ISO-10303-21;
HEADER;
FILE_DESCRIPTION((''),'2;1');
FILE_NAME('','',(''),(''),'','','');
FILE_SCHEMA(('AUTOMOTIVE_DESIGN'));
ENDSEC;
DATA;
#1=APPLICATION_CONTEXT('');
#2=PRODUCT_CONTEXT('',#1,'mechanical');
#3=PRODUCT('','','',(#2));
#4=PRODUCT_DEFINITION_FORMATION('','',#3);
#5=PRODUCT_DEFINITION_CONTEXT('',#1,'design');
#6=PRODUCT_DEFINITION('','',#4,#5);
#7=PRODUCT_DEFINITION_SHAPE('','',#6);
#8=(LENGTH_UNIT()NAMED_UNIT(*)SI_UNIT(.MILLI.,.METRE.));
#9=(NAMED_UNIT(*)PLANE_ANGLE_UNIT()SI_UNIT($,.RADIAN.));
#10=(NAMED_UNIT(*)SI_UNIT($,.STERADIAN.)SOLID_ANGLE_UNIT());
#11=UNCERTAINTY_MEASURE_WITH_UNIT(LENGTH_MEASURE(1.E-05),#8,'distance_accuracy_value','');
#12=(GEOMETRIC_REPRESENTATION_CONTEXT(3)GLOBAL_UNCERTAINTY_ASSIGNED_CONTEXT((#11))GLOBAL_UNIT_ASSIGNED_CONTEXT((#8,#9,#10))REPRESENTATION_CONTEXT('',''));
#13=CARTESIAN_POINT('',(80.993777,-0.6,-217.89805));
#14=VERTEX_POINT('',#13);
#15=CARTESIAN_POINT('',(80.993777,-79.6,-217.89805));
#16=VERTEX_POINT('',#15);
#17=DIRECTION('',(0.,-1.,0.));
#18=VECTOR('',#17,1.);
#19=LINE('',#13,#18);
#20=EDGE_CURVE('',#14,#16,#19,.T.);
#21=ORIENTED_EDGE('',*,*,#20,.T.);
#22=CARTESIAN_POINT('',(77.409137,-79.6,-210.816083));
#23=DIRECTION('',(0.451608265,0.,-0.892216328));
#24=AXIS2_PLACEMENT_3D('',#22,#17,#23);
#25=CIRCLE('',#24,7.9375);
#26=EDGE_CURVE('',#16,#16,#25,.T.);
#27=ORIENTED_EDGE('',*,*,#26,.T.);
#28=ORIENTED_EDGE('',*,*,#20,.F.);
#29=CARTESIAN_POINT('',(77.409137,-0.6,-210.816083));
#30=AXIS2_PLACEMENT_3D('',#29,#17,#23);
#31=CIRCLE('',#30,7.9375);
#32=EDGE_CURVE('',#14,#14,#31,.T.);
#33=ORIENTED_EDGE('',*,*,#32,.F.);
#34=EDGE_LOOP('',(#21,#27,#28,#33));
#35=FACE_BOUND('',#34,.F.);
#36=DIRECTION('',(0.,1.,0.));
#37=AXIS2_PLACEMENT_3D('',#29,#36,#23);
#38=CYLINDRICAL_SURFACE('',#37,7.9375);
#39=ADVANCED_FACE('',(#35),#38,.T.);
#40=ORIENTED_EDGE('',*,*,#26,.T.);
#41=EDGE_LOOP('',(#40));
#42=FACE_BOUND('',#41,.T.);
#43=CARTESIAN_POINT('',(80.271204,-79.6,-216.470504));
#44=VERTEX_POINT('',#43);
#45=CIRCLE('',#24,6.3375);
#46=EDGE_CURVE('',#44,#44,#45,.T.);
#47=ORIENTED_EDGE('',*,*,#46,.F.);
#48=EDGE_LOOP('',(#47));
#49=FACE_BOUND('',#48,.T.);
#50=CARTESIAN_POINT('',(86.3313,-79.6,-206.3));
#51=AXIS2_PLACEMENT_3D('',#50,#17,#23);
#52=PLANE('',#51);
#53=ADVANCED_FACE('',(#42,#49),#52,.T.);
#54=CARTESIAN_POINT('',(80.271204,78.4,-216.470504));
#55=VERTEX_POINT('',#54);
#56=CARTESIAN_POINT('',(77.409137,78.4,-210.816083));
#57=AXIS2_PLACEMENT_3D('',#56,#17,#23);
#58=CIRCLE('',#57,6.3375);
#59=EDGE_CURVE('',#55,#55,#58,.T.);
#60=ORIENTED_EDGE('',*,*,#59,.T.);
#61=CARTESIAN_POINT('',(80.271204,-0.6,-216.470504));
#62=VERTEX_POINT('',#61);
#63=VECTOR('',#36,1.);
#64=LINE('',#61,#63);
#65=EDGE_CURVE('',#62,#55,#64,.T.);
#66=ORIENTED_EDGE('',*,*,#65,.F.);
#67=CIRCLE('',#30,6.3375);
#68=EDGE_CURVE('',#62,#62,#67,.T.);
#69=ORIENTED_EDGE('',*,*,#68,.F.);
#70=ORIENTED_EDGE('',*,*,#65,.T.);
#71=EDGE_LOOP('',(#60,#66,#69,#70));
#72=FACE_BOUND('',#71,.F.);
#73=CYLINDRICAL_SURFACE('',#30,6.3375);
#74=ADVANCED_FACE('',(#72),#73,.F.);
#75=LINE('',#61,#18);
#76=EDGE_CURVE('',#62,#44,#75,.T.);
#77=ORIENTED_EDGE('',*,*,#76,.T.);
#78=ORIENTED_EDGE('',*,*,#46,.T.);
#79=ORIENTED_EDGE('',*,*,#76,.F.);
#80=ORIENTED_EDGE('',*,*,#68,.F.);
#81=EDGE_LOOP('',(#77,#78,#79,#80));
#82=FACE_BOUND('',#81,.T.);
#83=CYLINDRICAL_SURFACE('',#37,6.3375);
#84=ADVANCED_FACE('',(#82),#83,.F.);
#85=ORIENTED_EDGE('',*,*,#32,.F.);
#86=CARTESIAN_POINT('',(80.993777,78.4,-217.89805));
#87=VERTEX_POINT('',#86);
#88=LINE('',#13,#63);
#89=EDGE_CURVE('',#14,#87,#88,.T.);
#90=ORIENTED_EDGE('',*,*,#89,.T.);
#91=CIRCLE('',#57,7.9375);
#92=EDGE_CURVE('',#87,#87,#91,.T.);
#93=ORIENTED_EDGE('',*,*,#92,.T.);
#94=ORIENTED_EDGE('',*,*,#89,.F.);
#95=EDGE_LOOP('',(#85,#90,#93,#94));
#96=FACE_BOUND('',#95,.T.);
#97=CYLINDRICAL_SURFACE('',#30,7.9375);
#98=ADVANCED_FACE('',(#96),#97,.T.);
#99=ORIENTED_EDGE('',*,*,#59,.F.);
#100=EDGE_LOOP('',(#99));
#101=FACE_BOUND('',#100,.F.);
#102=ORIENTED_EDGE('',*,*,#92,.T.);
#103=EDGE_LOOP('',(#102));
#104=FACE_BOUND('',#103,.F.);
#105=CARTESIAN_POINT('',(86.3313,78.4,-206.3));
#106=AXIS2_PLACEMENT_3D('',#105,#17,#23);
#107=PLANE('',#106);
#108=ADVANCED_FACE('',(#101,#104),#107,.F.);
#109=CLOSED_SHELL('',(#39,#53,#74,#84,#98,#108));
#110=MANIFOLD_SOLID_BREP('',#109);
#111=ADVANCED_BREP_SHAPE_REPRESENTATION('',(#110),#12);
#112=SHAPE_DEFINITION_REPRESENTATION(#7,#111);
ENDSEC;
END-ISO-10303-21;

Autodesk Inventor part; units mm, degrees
ref_plane "YZ Plane" through (0, 0, 0) normal (1, 0, 0) x (0, 1, 0)
ref_plane "XZ Plane" through (0, 0, 0) normal (0, 1, 0) x (-1, 0, 0)
ref_plane "Work Plane2" through (86.3313, -0.6, -206.3) normal (0, -1, 0) x (0.4516, 0, -0.8922)
sketch "Sketch2" plane through (86.3313, -0.6, -206.3) normal (0, -1, 0) x (0.4516, 0, -0.8922)
  circle A0 centre (0, -10) radius 15 construction
  circle A1 centre (0, -10) radius 7.9375
  circle A2 centre (0, -10) radius 6.3375
  point P0 (-223.0522, 16.1405)
  dimension "d4" = 15.875
  dimension "d5" = 1.6
extrude "Extrusion2" add sketch "Sketch2" along normal mid plane 158
properties part number "BearingsSpacer"
